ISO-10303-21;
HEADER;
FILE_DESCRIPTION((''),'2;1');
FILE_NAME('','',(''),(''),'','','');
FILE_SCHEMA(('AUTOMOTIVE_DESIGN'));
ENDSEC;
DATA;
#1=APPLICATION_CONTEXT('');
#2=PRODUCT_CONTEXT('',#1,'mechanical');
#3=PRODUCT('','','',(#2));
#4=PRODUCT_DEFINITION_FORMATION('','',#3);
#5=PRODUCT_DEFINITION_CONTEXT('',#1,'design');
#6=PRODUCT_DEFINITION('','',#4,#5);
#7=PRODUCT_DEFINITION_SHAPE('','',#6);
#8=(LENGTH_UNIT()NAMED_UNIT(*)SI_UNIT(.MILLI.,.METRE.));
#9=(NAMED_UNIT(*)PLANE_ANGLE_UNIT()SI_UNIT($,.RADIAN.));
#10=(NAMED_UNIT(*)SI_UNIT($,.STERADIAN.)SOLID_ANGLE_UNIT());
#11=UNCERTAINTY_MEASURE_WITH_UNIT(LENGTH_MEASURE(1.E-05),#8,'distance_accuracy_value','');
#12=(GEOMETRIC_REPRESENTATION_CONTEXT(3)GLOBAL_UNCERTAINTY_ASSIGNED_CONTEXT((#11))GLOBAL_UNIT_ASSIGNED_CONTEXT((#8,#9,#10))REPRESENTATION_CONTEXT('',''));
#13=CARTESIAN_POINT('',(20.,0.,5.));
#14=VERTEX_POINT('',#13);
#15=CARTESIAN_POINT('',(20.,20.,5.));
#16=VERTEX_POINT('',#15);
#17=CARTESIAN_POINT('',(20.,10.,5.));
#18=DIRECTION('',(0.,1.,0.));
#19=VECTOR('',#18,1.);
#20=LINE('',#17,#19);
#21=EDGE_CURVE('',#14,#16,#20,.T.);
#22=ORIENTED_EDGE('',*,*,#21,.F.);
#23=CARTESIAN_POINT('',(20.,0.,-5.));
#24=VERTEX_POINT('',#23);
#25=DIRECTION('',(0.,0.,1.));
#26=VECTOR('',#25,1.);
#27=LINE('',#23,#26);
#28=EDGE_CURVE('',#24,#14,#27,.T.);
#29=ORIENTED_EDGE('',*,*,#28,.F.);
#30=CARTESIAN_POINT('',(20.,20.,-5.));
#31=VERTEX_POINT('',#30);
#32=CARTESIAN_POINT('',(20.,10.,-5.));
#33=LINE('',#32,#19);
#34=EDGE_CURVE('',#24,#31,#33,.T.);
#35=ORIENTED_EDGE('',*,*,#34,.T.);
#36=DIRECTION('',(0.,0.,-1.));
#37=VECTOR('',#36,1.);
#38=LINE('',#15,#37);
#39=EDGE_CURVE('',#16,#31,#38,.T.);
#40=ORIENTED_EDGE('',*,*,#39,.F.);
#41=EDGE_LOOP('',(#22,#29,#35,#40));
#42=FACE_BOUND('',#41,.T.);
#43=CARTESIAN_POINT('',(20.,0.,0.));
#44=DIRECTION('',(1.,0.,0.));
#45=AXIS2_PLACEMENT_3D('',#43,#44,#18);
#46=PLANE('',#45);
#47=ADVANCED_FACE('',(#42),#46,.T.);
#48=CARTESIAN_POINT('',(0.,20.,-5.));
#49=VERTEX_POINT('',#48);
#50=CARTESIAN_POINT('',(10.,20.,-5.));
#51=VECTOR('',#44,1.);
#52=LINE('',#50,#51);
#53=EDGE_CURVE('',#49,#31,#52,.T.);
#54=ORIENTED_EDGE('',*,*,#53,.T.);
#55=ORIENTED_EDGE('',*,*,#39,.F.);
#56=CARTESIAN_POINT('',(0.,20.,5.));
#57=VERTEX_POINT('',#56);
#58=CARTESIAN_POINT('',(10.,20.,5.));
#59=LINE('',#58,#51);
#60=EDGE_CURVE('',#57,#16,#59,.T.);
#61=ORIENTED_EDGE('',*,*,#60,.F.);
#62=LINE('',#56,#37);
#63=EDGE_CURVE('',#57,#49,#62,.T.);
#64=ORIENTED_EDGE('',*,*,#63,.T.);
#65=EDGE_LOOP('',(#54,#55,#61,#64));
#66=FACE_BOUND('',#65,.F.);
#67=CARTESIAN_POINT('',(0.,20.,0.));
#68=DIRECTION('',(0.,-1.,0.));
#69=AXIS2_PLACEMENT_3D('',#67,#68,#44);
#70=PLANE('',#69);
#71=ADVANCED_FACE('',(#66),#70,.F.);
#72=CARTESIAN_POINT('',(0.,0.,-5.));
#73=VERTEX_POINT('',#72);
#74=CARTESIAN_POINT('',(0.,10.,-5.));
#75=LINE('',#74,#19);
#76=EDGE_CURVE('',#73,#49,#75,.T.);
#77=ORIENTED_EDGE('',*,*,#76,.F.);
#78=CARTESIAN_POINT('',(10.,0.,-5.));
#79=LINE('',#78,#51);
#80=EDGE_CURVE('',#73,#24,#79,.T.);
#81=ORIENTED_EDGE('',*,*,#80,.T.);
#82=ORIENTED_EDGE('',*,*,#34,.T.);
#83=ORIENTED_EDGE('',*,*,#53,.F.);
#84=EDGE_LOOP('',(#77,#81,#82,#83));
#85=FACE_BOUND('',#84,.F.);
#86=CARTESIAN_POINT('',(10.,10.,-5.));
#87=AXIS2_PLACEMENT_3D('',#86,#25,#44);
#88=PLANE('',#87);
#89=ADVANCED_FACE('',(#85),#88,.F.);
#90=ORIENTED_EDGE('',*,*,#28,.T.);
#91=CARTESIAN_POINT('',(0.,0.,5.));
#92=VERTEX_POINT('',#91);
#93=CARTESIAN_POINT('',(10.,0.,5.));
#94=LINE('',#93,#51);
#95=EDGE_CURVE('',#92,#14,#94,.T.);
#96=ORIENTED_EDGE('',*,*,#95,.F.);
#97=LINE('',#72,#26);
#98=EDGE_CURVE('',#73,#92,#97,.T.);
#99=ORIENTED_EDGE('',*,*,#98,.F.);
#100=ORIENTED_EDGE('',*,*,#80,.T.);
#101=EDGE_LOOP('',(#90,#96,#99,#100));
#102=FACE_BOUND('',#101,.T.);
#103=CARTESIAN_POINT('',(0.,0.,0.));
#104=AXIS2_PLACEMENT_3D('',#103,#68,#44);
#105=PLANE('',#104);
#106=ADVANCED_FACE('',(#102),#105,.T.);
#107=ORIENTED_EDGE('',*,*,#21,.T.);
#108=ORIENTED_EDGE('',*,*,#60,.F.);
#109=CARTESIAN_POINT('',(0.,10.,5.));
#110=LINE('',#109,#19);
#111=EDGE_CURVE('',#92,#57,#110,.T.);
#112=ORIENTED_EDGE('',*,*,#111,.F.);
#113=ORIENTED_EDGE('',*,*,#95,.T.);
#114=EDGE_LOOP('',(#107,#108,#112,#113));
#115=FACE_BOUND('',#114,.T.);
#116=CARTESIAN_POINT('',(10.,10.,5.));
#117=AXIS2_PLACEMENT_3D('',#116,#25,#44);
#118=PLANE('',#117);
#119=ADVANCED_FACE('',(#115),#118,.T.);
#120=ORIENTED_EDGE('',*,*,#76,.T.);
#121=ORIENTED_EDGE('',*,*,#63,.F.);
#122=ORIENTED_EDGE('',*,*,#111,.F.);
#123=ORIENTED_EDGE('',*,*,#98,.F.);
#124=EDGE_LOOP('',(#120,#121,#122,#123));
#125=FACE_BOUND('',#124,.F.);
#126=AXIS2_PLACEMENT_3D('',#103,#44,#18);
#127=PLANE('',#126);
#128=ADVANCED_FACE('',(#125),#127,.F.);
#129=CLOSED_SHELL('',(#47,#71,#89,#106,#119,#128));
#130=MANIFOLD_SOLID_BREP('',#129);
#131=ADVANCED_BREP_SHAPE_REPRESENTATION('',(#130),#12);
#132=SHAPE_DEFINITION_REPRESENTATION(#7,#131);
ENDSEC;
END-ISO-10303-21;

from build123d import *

# Parameters (mm, degrees)
SKETCH_W  = 20
SKETCH_H  = 20
PAD_DEPTH = 5


with BuildPart() as part:
    # Sketch → Pad (new body, symmetric)
    with BuildSketch(Plane.XY):
        with Locations((10, 10)):
            Rectangle(SKETCH_W, SKETCH_H)
    extrude(amount=PAD_DEPTH, both=True)


solid = part.part
